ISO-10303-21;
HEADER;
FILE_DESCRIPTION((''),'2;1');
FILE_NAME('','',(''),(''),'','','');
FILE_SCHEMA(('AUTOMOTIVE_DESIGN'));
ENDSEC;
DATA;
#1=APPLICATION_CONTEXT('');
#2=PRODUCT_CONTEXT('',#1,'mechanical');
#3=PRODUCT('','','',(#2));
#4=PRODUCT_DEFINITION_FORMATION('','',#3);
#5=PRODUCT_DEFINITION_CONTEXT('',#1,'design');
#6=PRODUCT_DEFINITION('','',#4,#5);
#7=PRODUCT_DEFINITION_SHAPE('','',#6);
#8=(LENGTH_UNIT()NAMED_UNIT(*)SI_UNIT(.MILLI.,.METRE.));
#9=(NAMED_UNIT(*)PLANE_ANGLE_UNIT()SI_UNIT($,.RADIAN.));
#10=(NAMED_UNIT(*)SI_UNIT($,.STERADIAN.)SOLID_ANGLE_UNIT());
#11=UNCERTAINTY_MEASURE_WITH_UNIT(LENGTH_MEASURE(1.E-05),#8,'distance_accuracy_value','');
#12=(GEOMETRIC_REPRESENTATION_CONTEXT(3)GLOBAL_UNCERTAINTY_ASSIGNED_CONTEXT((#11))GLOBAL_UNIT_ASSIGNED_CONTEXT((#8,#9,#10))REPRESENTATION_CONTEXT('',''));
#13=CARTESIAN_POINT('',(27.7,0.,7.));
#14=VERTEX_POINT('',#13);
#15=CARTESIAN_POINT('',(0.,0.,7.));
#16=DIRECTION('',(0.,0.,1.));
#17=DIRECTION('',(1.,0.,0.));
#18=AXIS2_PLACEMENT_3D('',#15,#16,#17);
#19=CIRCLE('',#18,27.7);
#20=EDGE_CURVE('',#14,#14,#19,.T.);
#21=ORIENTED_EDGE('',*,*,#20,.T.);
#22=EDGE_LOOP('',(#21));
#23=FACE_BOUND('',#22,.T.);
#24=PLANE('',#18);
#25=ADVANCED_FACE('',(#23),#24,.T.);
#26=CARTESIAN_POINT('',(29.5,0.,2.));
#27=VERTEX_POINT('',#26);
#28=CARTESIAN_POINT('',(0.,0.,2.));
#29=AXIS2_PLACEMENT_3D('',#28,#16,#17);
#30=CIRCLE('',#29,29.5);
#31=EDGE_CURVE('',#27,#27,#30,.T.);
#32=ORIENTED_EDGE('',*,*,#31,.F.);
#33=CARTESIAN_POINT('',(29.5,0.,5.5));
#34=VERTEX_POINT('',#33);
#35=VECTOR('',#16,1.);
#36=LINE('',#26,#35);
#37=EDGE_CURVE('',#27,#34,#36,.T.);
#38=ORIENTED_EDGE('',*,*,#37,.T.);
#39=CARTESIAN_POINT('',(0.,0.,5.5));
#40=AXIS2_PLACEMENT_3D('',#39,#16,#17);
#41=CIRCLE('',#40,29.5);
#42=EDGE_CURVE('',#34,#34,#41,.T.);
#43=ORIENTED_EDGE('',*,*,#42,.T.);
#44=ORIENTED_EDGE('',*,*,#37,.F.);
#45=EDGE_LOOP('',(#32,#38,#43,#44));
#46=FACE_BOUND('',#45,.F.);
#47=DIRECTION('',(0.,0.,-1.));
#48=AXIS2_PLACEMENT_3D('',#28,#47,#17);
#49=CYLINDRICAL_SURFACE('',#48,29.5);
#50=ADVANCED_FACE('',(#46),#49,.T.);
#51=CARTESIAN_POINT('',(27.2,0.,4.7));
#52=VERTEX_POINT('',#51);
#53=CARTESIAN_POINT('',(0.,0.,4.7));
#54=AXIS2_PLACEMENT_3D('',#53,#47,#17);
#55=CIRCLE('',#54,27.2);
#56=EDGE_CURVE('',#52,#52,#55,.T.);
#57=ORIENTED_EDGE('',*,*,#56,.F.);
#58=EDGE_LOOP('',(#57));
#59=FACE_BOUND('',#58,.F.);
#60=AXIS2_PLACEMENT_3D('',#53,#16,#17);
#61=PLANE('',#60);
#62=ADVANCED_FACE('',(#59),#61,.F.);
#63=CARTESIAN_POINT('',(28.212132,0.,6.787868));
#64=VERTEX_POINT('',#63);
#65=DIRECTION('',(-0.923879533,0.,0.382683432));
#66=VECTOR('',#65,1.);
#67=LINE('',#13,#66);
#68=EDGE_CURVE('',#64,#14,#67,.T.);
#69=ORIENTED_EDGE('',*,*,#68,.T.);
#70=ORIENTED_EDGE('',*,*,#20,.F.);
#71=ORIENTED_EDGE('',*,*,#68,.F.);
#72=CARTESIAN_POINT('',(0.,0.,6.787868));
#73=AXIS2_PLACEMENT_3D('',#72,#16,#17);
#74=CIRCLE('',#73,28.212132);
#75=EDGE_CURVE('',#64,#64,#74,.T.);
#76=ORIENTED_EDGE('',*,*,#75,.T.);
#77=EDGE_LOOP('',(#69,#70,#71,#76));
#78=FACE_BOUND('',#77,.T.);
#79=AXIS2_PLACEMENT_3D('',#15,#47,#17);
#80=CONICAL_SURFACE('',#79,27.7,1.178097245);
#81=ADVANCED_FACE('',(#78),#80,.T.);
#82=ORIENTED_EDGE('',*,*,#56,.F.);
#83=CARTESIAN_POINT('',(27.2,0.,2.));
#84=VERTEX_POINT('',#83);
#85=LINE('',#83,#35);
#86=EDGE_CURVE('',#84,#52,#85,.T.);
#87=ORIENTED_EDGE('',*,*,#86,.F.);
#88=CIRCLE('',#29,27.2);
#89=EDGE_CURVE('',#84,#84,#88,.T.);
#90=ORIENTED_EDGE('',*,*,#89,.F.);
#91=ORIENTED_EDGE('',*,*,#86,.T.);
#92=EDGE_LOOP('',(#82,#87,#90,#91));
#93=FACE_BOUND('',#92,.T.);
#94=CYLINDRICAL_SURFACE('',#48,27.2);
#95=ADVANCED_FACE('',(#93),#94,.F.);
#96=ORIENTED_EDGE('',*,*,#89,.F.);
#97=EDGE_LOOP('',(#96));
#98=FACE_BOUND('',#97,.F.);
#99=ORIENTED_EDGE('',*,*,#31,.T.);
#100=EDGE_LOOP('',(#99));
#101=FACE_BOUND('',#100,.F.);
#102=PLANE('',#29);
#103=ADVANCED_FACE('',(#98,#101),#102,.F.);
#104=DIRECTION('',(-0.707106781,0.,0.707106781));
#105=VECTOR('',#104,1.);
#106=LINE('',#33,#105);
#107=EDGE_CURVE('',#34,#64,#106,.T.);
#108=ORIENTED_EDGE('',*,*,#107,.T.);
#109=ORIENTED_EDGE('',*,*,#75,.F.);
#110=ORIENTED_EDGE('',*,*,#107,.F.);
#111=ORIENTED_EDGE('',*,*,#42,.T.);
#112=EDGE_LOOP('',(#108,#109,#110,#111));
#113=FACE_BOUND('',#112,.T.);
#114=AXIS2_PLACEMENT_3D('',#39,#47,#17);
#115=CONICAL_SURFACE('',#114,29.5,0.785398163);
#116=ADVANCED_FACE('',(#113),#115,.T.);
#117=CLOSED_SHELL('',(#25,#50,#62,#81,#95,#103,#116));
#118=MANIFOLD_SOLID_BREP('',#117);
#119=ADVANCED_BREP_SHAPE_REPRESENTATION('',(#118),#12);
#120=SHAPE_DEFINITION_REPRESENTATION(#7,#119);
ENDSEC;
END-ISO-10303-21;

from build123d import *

# Parameters (mm, degrees)
SKETCH006_R     = 29.5
PAD004_DEPTH    = 5
THICKNESS_T     = -2.3
CHAMFER_SIZE    = 1.5
CHAMFER001_SIZE = 0.3


with BuildPart() as part:
    # Sketch006 → Pad004 (new body)
    with BuildSketch(Plane.XY):
        Circle(SKETCH006_R)
    extrude(amount=PAD004_DEPTH)

    # Thickness
    thickness_openings = [part.faces().sort_by_distance(p)[0] for p in [
        (0, 0, 0),
    ]]
    offset(amount=THICKNESS_T, openings=thickness_openings)

    # Chamfer
    chamfer_edges = [part.edges().sort_by_distance(p)[0] for p in [
        (-29.5, 0, 5),
    ]]
    chamfer(chamfer_edges, length=CHAMFER_SIZE)

    # Chamfer001
    chamfer001_edges = [part.edges().sort_by_distance(p)[0] for p in [
        (-28, 0, 5),
    ]]
    chamfer(chamfer001_edges, length=CHAMFER001_SIZE)


with BuildPart() as part_1:
    # Body002 placement: moved
    add(part.part.moved(Location((0, 0, 2))))


solid = part_1.part
